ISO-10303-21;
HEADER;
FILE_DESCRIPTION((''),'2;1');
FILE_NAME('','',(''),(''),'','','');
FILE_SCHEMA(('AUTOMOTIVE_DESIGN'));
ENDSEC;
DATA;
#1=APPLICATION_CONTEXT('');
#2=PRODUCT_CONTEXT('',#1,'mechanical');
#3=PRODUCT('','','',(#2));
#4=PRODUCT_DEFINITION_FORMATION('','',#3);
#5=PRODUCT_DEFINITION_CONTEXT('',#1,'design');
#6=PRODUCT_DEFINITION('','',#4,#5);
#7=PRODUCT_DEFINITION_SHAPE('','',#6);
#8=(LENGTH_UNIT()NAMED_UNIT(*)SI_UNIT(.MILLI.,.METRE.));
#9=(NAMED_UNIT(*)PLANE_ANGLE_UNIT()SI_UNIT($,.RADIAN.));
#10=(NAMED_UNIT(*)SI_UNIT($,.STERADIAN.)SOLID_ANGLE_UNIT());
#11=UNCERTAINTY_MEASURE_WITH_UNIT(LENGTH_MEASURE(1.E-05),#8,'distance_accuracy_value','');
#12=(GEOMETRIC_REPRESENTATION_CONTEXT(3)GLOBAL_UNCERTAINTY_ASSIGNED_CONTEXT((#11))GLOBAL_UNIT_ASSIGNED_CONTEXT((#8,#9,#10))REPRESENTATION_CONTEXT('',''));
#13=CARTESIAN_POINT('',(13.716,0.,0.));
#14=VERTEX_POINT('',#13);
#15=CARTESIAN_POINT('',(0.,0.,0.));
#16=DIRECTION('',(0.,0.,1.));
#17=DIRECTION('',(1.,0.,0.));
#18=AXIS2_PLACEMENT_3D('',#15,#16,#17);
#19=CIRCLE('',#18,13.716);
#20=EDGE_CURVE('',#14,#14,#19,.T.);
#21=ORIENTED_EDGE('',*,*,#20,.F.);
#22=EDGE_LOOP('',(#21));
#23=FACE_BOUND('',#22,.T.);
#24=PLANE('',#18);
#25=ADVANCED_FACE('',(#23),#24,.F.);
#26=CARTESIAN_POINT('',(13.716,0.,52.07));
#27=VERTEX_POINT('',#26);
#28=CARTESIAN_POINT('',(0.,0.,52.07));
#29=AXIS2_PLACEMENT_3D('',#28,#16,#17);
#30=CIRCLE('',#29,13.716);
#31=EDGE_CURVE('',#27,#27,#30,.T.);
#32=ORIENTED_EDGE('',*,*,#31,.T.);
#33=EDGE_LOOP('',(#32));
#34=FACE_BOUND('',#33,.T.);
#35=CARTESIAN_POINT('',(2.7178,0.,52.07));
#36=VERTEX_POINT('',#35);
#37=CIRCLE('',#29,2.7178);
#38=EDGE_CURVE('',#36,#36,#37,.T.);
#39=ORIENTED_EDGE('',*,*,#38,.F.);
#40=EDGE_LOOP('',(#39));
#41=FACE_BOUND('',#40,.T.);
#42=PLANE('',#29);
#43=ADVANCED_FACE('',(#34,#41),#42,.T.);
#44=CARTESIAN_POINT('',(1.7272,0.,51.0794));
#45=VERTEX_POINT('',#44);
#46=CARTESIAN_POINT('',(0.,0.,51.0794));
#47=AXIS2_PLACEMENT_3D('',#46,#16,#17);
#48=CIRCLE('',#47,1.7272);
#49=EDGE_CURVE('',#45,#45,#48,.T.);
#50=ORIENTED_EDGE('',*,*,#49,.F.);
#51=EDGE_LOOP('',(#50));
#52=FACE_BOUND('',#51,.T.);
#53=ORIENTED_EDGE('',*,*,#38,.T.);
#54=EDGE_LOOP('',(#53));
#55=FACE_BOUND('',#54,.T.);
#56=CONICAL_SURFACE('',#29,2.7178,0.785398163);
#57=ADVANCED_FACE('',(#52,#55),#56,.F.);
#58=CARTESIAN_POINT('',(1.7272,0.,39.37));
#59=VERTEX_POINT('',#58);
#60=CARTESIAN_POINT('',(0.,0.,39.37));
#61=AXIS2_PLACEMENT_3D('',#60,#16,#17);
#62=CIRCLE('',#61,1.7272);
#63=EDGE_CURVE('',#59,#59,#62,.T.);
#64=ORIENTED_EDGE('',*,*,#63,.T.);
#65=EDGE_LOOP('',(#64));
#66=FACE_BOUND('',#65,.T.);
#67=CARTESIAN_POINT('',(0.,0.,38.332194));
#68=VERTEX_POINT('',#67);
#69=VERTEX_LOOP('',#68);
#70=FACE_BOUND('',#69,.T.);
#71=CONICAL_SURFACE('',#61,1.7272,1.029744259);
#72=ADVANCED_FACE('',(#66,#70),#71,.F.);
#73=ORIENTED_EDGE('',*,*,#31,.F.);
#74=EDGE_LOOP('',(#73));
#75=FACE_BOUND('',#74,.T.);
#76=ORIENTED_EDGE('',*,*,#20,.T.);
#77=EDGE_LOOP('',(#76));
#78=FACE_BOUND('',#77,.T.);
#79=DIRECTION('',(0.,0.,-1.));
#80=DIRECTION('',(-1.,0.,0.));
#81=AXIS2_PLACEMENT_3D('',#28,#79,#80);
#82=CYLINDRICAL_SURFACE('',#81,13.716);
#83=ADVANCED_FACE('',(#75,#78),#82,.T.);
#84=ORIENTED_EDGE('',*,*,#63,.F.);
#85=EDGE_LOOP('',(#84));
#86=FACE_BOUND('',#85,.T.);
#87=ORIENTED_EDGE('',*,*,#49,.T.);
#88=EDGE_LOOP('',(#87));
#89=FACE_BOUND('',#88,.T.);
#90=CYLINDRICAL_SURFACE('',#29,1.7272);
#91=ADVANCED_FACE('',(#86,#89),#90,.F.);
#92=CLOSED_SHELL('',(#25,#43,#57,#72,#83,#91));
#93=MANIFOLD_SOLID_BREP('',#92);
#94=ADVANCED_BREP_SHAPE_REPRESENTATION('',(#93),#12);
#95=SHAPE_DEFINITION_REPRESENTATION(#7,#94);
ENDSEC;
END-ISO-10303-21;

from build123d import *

# Parameters (mm, degrees)
SKETCH1_R                       = 13.716
BOSS_EXTRUDE1_DEPTH             = 52.07
F_8_32_TAPPED_HOLE1_D           = 3.4544
F_8_32_TAPPED_HOLE1_DEPTH       = 12.7
F_8_32_TAPPED_HOLE1_CSINK_D     = 5.4356
F_8_32_TAPPED_HOLE1_CSINK_ANGLE = 90
F_8_32_TAPPED_HOLE1_TIP         = 1.037806461


with BuildPart() as part:
    # Sketch1 → Boss-Extrude1 (new body)
    with BuildSketch(Plane.XY):
        Circle(SKETCH1_R)
    extrude(amount=BOSS_EXTRUDE1_DEPTH)

    # #8-32 Tapped Hole1
    with Locations(Plane(origin=(0, 0, 52.07), x_dir=(-1, 0, 0), z_dir=(0, 0, 1))):
        with Locations((0, 0)):
            CounterSinkHole(F_8_32_TAPPED_HOLE1_D / 2, F_8_32_TAPPED_HOLE1_CSINK_D / 2, depth=F_8_32_TAPPED_HOLE1_DEPTH, counter_sink_angle=F_8_32_TAPPED_HOLE1_CSINK_ANGLE)
            with Locations((0, 0, -(F_8_32_TAPPED_HOLE1_DEPTH + F_8_32_TAPPED_HOLE1_TIP / 2))):  # 118° drill point
                Cone(0, F_8_32_TAPPED_HOLE1_D / 2, F_8_32_TAPPED_HOLE1_TIP, mode=Mode.SUBTRACT)


solid = part.part
